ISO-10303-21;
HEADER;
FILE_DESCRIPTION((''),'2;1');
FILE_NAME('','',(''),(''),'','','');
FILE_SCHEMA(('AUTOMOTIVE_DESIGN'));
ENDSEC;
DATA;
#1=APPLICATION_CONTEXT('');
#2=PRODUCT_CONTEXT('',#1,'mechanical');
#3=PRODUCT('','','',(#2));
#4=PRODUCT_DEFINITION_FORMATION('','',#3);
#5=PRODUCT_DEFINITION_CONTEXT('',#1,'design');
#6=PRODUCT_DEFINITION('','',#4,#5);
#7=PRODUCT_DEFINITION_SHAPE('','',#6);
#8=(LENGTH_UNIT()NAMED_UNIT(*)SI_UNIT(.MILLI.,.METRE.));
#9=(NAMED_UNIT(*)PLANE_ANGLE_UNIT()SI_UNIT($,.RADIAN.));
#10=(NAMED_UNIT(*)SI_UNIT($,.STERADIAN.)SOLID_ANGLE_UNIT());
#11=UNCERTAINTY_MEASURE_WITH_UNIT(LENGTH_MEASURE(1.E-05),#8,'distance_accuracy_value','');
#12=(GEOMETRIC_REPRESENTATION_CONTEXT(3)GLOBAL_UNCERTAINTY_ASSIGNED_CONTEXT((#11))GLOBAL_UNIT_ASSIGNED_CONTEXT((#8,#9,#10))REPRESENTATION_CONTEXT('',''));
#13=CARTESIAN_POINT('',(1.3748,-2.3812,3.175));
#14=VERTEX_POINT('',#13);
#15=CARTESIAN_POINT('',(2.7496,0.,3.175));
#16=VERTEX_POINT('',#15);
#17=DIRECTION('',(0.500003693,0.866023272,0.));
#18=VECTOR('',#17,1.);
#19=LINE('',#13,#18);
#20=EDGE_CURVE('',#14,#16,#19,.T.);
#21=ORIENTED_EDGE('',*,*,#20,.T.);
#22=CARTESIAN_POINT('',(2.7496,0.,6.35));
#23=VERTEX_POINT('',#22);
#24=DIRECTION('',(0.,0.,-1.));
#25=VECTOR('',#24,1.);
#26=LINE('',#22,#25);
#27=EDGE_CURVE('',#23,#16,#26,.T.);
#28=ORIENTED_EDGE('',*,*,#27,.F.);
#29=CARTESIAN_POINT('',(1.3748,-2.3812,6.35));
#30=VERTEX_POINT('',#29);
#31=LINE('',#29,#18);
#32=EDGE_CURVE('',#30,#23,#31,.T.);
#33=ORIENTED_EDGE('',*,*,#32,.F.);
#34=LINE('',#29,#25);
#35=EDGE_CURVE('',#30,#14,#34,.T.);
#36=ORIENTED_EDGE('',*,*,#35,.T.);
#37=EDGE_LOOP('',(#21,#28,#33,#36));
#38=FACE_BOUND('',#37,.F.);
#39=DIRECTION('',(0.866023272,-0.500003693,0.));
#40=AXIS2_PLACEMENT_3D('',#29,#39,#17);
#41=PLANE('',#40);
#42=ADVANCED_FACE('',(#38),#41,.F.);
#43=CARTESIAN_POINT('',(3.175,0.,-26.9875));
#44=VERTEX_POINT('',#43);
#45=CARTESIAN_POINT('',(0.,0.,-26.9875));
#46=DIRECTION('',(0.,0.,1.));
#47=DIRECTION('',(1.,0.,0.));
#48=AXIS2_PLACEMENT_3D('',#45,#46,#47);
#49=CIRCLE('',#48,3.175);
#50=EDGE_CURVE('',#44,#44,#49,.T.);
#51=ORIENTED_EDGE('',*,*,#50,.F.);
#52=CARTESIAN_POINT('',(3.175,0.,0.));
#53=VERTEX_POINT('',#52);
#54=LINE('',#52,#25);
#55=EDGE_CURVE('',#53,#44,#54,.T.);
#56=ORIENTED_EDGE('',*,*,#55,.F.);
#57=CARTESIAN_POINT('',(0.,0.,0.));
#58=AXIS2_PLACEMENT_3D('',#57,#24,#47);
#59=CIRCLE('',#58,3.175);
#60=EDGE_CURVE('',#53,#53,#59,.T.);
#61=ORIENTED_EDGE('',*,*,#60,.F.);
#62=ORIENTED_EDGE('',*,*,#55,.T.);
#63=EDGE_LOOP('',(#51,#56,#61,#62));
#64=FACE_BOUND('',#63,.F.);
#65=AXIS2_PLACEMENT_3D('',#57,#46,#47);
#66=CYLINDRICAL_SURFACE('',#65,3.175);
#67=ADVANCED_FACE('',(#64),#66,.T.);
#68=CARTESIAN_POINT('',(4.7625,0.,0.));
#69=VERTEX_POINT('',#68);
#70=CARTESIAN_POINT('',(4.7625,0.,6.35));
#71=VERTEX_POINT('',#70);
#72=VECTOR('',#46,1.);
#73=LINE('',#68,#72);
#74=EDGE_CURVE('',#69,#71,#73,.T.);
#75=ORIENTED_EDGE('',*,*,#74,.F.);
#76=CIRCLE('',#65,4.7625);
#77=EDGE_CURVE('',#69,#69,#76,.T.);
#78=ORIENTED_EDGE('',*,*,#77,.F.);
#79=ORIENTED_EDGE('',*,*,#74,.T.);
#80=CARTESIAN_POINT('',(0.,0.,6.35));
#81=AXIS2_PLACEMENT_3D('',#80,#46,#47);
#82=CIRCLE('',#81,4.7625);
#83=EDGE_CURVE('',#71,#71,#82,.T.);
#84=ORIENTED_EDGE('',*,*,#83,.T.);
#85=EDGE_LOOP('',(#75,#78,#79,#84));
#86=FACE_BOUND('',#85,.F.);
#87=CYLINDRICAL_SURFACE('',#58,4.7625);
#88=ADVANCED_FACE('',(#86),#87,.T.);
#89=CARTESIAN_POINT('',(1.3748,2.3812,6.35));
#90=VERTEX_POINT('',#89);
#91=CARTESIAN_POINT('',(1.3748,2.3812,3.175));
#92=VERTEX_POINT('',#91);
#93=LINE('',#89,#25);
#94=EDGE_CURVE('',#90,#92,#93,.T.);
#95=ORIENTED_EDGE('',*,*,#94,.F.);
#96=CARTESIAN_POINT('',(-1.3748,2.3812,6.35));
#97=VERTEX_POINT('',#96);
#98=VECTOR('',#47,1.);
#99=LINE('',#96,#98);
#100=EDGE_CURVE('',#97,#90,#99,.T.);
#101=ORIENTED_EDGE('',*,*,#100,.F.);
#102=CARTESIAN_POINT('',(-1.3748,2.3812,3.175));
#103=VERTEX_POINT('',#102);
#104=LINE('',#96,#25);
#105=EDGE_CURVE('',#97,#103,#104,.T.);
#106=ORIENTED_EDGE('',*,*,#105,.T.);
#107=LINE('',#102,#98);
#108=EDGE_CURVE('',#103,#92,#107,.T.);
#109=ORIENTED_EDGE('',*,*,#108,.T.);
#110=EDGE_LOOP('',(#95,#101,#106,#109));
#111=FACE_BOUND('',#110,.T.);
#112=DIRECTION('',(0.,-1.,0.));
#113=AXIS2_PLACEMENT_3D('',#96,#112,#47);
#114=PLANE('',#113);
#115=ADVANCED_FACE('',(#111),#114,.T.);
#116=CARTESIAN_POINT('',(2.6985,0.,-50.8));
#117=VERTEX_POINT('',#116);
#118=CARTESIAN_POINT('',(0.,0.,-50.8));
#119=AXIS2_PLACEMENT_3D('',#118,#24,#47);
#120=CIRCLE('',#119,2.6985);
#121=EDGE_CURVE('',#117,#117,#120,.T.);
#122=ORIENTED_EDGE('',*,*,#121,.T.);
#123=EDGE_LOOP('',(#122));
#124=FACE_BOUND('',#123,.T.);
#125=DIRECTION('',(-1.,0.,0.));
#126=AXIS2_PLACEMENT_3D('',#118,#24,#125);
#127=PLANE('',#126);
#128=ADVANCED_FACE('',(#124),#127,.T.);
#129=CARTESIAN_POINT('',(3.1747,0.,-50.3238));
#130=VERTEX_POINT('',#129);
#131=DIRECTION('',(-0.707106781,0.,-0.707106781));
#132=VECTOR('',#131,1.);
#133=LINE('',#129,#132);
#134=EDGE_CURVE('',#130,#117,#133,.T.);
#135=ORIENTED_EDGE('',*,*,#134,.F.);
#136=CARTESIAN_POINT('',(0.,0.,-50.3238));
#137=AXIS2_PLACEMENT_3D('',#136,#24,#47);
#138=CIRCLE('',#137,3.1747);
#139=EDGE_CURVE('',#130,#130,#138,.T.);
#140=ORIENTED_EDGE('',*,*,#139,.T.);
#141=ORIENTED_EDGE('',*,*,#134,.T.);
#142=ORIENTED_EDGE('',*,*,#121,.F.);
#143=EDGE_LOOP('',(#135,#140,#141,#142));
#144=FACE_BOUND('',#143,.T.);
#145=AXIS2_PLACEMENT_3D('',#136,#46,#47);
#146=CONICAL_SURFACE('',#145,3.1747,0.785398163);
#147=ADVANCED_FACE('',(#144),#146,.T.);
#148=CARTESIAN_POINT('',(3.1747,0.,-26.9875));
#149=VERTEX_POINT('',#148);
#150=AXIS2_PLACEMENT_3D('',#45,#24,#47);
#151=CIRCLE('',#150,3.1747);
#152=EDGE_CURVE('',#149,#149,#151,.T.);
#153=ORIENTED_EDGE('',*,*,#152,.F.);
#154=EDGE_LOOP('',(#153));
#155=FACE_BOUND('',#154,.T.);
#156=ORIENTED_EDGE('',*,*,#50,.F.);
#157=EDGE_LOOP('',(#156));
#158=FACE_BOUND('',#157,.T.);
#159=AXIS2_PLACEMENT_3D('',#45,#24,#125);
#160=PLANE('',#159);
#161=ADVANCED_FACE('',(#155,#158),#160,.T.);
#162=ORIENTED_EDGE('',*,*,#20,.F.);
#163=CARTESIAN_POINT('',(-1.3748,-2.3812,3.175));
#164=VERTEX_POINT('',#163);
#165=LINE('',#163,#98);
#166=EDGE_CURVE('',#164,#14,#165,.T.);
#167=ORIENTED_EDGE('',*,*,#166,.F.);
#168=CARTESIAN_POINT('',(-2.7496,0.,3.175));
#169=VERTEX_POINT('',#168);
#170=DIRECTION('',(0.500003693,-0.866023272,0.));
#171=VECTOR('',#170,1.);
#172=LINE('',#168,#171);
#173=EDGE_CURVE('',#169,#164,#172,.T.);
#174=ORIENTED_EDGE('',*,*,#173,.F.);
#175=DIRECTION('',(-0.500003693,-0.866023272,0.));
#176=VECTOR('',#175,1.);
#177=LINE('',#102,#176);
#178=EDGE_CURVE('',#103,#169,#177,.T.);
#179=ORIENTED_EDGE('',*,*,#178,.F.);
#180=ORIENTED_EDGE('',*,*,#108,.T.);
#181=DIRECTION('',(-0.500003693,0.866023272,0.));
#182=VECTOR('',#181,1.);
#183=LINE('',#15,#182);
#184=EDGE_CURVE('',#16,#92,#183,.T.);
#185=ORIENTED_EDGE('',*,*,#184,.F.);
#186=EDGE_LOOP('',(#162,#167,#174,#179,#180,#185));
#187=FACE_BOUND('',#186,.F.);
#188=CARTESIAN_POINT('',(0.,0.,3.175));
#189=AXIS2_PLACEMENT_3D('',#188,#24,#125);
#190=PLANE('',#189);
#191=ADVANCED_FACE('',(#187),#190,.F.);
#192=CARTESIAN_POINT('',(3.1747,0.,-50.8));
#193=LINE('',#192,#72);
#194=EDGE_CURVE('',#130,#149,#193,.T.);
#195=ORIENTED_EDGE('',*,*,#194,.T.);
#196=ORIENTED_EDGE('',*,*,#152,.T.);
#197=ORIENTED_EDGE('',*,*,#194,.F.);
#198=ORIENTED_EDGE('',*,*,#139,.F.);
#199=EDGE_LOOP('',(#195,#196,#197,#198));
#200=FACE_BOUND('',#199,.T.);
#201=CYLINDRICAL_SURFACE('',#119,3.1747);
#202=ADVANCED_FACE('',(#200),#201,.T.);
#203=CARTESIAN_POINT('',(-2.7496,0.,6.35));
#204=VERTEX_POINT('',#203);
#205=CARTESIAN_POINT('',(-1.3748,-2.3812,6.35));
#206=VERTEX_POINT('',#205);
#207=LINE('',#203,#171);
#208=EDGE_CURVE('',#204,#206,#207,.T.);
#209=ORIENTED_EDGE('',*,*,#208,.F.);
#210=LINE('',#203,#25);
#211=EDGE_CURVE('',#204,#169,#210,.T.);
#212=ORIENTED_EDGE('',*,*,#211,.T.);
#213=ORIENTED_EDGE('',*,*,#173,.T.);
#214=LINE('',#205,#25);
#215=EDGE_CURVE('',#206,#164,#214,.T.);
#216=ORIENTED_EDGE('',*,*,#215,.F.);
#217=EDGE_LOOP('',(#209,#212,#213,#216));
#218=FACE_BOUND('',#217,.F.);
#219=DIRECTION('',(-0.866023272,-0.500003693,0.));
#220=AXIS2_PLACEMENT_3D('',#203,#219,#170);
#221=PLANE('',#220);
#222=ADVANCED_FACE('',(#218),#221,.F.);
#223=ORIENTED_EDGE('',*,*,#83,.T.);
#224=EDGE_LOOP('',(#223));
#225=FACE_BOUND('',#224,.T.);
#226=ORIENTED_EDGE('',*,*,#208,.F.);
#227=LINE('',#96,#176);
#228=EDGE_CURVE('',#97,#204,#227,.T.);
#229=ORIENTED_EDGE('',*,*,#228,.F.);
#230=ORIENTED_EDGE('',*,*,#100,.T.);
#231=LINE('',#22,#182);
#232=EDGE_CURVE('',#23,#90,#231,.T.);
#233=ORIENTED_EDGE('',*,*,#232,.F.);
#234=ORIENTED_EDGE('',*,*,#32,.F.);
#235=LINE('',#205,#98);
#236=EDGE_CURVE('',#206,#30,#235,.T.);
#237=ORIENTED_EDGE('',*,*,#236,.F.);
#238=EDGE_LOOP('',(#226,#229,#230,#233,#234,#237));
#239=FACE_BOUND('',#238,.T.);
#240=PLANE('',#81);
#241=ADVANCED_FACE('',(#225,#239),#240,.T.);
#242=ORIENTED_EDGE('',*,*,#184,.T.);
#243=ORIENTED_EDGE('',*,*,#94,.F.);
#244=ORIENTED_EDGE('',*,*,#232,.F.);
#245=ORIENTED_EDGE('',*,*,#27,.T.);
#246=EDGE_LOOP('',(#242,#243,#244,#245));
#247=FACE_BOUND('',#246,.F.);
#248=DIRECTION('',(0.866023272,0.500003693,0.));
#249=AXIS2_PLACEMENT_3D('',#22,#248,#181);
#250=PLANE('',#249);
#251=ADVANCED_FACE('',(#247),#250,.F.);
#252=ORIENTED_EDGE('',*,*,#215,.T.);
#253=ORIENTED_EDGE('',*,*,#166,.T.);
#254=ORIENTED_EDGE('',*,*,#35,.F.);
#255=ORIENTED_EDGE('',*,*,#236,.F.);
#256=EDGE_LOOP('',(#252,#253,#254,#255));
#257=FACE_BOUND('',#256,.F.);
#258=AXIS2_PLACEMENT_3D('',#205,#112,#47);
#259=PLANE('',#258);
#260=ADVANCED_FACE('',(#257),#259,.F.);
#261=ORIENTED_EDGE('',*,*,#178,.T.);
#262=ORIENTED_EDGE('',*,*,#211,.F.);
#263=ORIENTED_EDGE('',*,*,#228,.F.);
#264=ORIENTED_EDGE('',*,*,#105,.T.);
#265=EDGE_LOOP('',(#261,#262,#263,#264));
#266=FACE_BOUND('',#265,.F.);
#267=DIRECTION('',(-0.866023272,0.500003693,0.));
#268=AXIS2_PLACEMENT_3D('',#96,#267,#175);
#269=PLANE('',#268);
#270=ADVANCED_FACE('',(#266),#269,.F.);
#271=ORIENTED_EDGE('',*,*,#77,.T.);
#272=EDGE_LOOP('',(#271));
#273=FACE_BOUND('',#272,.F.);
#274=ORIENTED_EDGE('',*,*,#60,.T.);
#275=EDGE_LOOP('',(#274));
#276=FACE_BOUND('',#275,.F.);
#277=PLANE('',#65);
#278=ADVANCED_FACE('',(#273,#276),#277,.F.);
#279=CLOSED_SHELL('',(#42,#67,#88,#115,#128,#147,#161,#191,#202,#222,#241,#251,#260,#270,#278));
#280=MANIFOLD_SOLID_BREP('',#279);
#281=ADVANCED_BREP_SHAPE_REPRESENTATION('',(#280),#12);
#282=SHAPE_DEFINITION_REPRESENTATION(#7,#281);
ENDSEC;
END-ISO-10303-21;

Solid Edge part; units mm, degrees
sketch "Sketch1" plane through (0, 0, 0) normal (0, 0, 1) x (1, 0, 0)
  circle A0 centre (0, 0) radius 4.7625
  dimension "D1" = 9.525
extrude "Protrusion1" add sketch "Sketch1" along normal blind 6.35
sketch "Sketch2" plane through (0, 0, 0) normal (0, 0, -1) x (1, 0, 0)
  circle A0 centre (0, 0) radius 3.175
extrude "Protrusion2" add sketch "Sketch2" along normal blind 50.8
sketch "Sketch3" plane through (0, 0, -50.8) normal (0, 0, -1) x (1, 0, 0)
  circle A0 centre (0, 0) radius 3.1747
extrude "Cutout1" cut sketch "Sketch3" against normal blind 23.8125 flip side to cut
chamfer "Chamfer_1" distance 0.4762 angle 45 1 edges at (-3.1747, 0, -50.8)
sketch "Sketch4" plane through (0, 0, 6.35) normal (0, 0, 1) x (1, 0, 0)
  line L0 (-1.3748, 2.3812) -> (1.3748, 2.3812)
  line L1 (2.7496, 0) -> (1.3748, 2.3812)
  line L2 (1.3748, -2.3812) -> (2.7496, 0)
  line L3 (-1.3748, -2.3812) -> (1.3748, -2.3812)
  line L4 (-2.7496, 0) -> (-1.3748, -2.3812)
  line L5 (-1.3748, 2.3812) -> (-2.7496, 0)
  dimension "D1" = 4.7625
extrude "Cutout2" cut sketch "Sketch4" against normal blind 3.175
properties part number "24101599"
